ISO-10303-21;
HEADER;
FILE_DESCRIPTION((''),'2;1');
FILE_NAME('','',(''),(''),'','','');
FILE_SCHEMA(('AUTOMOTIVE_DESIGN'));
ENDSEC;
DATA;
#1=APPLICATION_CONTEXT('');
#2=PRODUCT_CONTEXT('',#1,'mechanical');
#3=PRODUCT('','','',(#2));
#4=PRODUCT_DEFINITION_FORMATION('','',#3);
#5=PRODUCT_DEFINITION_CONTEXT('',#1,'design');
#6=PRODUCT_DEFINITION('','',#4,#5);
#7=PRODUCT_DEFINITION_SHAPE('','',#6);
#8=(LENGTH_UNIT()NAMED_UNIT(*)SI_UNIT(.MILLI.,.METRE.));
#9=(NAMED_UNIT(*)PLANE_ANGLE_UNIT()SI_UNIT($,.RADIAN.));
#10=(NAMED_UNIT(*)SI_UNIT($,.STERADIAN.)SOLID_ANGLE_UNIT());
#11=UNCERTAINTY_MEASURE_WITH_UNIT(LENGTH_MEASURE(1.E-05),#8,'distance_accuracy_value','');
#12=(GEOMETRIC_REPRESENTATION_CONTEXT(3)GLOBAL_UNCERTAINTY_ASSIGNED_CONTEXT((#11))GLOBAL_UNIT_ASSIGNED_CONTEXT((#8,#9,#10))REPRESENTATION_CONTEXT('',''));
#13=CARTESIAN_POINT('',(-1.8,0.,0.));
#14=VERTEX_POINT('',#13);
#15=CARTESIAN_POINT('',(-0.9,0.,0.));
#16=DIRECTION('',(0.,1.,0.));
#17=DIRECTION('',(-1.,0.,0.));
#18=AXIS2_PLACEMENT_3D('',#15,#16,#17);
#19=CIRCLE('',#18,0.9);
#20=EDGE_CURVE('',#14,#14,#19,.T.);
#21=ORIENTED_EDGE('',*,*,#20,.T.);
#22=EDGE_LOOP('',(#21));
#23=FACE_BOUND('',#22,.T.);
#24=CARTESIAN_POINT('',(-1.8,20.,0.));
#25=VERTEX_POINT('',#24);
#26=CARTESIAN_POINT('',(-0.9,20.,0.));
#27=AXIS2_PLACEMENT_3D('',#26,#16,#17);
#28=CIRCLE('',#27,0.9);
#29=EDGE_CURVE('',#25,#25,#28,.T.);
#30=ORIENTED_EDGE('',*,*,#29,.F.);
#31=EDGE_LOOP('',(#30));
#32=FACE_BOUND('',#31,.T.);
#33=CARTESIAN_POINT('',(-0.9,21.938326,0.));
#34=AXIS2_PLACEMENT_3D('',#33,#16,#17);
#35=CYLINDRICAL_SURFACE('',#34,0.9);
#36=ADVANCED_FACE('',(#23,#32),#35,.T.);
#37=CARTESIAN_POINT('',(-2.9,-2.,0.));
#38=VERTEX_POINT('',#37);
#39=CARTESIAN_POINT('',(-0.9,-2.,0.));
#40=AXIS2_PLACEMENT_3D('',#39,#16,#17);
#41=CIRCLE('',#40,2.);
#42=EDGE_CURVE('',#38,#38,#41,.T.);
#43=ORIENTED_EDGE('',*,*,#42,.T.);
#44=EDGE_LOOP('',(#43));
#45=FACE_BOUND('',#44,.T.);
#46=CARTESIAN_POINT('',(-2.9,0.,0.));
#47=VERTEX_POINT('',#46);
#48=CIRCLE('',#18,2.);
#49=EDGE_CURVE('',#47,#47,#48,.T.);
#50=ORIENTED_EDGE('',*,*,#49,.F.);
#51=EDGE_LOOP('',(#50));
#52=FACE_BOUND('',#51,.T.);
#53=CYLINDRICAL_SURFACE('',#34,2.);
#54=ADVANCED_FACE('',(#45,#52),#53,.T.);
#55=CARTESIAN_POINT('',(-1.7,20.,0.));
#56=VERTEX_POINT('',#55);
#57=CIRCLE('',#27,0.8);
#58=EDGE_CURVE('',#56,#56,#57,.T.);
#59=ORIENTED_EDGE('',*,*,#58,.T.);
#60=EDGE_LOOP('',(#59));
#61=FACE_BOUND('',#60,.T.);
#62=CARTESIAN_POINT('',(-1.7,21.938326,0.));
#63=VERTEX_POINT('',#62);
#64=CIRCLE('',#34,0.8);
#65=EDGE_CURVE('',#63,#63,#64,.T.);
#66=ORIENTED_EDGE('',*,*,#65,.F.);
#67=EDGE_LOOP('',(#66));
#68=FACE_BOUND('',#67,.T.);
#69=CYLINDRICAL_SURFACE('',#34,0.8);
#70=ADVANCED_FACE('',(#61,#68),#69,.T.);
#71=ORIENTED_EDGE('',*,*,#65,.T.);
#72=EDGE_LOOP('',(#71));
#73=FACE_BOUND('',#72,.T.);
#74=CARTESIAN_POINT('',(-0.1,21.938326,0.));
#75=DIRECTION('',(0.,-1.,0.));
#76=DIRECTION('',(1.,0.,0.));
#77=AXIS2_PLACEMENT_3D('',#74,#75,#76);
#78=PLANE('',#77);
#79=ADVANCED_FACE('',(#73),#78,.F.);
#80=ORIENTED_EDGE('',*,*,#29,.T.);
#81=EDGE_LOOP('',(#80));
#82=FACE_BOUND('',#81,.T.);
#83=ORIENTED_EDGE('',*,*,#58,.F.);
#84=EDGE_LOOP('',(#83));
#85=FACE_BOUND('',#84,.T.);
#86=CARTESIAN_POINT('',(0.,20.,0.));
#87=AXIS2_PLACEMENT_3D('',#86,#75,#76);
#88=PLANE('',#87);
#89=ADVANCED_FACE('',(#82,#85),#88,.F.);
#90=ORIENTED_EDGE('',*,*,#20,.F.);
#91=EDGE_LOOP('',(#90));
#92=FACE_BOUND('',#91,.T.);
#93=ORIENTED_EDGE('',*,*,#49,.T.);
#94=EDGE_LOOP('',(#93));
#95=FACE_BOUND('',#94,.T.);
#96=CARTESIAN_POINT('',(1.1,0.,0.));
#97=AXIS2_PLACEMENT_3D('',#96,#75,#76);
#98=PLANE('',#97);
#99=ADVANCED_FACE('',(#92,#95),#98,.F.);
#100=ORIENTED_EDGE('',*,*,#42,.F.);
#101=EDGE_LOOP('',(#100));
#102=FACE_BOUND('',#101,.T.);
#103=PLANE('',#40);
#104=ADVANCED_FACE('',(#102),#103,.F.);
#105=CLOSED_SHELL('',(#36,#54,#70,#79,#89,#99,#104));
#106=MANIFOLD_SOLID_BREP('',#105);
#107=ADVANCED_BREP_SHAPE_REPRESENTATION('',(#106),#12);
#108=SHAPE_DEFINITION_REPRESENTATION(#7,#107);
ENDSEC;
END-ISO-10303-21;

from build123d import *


with BuildPart() as part:
    # Sketch1 → Revolve1 (revolve)
    with BuildSketch(Plane.XY):
        Polygon((0, 0), (0, 20), (-0.1, 20), (-0.1, 21.938325991), (-0.9, 21.938325991), (-0.9, -2), (1.1, -2), (1.1, 0), align=None)
    revolve(axis=Axis((-0.9, 21.938325991, 0), (0, -1, 0)))


solid = part.part
